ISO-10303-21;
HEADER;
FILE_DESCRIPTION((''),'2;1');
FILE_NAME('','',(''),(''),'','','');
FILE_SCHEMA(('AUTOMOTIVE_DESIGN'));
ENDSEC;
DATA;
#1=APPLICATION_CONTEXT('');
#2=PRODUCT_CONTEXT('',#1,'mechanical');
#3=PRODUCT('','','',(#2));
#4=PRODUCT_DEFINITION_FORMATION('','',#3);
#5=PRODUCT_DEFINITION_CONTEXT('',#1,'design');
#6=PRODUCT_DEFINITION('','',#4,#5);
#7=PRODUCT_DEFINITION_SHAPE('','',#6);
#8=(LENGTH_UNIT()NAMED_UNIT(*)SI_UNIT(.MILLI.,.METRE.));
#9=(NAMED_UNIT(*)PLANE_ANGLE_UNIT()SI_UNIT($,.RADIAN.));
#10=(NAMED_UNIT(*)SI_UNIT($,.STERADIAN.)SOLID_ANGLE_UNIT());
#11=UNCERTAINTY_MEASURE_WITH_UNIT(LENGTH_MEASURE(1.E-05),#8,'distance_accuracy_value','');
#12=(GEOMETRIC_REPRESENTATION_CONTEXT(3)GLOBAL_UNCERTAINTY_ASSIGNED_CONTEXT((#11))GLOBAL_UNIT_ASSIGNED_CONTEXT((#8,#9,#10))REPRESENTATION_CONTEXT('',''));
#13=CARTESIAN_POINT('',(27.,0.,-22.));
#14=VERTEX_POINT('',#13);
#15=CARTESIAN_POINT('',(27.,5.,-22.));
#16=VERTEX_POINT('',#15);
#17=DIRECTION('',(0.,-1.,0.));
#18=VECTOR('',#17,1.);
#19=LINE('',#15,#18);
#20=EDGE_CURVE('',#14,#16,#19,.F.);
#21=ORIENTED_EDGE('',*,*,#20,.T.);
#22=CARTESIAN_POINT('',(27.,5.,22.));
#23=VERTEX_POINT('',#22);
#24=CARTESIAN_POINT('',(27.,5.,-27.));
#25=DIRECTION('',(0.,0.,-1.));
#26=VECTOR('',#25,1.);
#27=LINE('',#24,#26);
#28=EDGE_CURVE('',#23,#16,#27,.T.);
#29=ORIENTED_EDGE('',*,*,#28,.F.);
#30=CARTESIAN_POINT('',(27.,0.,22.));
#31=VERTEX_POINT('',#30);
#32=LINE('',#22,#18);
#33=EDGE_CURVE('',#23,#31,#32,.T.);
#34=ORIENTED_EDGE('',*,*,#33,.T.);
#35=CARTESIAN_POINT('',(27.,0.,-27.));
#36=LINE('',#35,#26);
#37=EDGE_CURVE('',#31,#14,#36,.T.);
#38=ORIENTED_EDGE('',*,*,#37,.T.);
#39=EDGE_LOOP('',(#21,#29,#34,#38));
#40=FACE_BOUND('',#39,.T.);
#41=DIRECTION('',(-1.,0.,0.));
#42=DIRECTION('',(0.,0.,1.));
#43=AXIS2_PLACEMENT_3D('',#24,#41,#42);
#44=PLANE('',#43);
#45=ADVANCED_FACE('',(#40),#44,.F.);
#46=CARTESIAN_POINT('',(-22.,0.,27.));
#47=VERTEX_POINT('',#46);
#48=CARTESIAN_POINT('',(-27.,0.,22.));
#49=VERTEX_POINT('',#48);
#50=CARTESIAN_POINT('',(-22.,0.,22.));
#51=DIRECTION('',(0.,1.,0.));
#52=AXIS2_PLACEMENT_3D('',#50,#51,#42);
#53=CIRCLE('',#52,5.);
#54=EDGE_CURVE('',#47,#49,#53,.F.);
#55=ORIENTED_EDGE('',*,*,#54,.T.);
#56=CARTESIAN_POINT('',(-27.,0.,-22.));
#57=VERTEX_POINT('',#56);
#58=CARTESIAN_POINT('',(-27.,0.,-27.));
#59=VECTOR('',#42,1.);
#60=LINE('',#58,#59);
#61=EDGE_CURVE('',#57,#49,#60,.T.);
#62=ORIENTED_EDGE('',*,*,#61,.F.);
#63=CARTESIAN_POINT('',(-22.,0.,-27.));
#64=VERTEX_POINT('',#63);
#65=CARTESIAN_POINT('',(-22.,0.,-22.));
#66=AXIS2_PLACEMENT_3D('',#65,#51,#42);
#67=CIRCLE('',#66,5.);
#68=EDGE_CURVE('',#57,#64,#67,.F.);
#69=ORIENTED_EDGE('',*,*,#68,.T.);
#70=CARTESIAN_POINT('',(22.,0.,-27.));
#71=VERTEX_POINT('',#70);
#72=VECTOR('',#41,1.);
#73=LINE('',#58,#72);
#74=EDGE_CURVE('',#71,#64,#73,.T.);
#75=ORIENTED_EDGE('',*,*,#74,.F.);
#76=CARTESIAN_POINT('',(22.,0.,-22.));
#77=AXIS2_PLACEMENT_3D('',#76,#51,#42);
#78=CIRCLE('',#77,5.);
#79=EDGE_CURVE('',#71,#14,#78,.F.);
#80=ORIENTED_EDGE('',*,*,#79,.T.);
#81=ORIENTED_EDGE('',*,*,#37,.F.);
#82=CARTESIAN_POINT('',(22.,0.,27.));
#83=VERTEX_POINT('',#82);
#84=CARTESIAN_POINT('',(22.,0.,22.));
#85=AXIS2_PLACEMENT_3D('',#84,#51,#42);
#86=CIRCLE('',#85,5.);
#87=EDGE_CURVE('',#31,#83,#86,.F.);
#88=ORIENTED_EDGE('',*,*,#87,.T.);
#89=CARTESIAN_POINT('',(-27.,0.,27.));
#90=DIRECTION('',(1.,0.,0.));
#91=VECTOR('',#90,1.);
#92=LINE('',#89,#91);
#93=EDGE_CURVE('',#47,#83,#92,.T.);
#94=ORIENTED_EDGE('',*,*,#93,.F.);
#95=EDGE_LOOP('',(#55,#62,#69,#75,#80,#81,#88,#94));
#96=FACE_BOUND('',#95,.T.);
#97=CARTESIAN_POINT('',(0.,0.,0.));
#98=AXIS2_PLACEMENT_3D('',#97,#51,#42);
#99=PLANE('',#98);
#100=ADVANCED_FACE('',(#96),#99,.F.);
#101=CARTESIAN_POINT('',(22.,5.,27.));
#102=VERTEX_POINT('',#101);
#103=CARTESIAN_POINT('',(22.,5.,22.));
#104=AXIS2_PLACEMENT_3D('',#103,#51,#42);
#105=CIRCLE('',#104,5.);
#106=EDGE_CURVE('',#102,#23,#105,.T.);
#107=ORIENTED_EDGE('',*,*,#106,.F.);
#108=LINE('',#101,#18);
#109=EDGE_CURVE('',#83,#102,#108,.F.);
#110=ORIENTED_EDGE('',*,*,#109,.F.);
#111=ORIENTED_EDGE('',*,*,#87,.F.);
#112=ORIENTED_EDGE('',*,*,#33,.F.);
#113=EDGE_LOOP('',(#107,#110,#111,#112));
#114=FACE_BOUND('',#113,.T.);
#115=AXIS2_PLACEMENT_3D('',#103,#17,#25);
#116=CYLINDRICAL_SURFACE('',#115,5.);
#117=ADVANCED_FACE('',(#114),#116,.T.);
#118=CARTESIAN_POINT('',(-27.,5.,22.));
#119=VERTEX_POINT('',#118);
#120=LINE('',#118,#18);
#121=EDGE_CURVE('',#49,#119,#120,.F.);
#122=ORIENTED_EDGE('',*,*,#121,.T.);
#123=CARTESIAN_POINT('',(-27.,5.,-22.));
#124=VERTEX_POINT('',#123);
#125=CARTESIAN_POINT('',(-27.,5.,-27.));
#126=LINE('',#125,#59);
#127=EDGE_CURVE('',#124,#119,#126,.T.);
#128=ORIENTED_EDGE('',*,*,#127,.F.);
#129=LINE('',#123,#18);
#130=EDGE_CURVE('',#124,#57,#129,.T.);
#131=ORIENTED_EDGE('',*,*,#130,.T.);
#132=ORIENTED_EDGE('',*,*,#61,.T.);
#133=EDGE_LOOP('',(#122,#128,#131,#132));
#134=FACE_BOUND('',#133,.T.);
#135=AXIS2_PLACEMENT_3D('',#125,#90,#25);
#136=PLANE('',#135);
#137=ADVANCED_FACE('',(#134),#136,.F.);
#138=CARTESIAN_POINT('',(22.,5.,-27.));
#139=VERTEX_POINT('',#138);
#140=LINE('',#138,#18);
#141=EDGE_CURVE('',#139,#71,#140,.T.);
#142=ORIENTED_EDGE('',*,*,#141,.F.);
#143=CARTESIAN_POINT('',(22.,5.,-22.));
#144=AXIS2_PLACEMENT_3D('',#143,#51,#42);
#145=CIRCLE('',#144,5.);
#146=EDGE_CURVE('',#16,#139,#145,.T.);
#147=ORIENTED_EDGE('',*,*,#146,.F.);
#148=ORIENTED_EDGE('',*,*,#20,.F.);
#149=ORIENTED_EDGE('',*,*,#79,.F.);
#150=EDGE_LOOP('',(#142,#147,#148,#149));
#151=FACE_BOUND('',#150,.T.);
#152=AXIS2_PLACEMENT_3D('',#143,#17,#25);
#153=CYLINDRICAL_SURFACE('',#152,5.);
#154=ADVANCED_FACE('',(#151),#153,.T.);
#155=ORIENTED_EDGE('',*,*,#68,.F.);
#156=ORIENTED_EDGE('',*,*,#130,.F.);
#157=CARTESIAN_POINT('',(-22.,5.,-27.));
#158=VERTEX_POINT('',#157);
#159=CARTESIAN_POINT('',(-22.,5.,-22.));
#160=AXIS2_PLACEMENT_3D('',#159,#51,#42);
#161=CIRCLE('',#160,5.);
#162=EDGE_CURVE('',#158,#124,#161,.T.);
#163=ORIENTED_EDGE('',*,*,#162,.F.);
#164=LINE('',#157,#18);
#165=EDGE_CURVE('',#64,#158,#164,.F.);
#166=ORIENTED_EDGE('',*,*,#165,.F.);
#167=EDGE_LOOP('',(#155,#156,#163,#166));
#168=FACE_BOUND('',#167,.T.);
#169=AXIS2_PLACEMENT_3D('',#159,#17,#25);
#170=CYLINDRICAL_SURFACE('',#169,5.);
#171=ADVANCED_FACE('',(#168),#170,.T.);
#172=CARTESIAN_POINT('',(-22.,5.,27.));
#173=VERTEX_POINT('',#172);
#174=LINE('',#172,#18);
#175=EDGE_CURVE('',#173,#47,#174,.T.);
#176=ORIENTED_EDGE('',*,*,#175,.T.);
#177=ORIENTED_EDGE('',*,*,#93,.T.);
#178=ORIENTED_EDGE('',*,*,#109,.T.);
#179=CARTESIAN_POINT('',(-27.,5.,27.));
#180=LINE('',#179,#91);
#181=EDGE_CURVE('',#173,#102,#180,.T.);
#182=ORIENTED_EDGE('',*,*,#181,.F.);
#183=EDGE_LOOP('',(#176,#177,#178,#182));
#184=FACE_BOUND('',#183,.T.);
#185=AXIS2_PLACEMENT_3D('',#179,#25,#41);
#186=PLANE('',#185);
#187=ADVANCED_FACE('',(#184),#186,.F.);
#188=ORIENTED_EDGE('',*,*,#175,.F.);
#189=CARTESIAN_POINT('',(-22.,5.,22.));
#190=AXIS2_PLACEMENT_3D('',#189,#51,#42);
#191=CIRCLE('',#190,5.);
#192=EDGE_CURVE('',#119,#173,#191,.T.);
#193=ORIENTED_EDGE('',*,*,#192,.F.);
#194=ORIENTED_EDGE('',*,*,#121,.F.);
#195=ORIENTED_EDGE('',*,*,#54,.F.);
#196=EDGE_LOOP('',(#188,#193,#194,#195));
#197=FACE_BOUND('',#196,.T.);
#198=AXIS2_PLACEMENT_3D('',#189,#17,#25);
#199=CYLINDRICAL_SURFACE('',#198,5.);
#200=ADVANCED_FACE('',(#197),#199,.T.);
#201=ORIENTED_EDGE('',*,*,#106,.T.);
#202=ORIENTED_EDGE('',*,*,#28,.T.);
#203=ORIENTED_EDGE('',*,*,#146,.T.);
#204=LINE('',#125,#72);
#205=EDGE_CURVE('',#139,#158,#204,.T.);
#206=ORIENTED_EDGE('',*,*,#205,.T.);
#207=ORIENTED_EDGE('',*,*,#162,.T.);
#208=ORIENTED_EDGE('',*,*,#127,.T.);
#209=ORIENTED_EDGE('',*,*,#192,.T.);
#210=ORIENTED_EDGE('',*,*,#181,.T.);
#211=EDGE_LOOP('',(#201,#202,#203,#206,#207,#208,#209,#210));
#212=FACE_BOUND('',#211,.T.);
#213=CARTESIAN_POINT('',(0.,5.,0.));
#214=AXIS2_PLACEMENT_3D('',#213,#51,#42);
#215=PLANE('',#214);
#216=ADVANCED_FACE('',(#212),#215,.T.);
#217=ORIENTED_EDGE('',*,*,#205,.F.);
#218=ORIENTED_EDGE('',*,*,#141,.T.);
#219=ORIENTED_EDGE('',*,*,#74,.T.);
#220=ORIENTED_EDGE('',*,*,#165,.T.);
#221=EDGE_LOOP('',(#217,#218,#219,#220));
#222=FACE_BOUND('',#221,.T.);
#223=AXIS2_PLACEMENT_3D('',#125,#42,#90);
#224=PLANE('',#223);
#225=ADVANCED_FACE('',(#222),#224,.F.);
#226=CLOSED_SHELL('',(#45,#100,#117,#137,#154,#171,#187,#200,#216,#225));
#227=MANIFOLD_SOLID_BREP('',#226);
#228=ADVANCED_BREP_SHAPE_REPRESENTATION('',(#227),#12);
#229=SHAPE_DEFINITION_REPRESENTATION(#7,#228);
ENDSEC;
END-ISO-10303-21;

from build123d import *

# Parameters (mm, degrees)
SKETCH_1_W      = 54
SKETCH_1_H      = 54
EXTRUDE_2_DEPTH = 5
FILLET_1_R      = 5


with BuildPart() as part:
    # 草图1 → 凸台-拉伸2 (new body)
    with BuildSketch(Plane(origin=(0, 0, 0), x_dir=(1, 0, 0), z_dir=(0, 1, 0))):
        Rectangle(SKETCH_1_W, SKETCH_1_H)
    extrude(amount=EXTRUDE_2_DEPTH)

    # 圆角1
    fillet_1_edges = [part.edges().sort_by_distance(p)[0] for p in [
        (27, 2.5, 27),
        (-27, 2.5, 27),
        (-27, 2.5, -27),
        (27, 2.5, -27),
    ]]
    fillet(fillet_1_edges, radius=FILLET_1_R)


solid = part.part
